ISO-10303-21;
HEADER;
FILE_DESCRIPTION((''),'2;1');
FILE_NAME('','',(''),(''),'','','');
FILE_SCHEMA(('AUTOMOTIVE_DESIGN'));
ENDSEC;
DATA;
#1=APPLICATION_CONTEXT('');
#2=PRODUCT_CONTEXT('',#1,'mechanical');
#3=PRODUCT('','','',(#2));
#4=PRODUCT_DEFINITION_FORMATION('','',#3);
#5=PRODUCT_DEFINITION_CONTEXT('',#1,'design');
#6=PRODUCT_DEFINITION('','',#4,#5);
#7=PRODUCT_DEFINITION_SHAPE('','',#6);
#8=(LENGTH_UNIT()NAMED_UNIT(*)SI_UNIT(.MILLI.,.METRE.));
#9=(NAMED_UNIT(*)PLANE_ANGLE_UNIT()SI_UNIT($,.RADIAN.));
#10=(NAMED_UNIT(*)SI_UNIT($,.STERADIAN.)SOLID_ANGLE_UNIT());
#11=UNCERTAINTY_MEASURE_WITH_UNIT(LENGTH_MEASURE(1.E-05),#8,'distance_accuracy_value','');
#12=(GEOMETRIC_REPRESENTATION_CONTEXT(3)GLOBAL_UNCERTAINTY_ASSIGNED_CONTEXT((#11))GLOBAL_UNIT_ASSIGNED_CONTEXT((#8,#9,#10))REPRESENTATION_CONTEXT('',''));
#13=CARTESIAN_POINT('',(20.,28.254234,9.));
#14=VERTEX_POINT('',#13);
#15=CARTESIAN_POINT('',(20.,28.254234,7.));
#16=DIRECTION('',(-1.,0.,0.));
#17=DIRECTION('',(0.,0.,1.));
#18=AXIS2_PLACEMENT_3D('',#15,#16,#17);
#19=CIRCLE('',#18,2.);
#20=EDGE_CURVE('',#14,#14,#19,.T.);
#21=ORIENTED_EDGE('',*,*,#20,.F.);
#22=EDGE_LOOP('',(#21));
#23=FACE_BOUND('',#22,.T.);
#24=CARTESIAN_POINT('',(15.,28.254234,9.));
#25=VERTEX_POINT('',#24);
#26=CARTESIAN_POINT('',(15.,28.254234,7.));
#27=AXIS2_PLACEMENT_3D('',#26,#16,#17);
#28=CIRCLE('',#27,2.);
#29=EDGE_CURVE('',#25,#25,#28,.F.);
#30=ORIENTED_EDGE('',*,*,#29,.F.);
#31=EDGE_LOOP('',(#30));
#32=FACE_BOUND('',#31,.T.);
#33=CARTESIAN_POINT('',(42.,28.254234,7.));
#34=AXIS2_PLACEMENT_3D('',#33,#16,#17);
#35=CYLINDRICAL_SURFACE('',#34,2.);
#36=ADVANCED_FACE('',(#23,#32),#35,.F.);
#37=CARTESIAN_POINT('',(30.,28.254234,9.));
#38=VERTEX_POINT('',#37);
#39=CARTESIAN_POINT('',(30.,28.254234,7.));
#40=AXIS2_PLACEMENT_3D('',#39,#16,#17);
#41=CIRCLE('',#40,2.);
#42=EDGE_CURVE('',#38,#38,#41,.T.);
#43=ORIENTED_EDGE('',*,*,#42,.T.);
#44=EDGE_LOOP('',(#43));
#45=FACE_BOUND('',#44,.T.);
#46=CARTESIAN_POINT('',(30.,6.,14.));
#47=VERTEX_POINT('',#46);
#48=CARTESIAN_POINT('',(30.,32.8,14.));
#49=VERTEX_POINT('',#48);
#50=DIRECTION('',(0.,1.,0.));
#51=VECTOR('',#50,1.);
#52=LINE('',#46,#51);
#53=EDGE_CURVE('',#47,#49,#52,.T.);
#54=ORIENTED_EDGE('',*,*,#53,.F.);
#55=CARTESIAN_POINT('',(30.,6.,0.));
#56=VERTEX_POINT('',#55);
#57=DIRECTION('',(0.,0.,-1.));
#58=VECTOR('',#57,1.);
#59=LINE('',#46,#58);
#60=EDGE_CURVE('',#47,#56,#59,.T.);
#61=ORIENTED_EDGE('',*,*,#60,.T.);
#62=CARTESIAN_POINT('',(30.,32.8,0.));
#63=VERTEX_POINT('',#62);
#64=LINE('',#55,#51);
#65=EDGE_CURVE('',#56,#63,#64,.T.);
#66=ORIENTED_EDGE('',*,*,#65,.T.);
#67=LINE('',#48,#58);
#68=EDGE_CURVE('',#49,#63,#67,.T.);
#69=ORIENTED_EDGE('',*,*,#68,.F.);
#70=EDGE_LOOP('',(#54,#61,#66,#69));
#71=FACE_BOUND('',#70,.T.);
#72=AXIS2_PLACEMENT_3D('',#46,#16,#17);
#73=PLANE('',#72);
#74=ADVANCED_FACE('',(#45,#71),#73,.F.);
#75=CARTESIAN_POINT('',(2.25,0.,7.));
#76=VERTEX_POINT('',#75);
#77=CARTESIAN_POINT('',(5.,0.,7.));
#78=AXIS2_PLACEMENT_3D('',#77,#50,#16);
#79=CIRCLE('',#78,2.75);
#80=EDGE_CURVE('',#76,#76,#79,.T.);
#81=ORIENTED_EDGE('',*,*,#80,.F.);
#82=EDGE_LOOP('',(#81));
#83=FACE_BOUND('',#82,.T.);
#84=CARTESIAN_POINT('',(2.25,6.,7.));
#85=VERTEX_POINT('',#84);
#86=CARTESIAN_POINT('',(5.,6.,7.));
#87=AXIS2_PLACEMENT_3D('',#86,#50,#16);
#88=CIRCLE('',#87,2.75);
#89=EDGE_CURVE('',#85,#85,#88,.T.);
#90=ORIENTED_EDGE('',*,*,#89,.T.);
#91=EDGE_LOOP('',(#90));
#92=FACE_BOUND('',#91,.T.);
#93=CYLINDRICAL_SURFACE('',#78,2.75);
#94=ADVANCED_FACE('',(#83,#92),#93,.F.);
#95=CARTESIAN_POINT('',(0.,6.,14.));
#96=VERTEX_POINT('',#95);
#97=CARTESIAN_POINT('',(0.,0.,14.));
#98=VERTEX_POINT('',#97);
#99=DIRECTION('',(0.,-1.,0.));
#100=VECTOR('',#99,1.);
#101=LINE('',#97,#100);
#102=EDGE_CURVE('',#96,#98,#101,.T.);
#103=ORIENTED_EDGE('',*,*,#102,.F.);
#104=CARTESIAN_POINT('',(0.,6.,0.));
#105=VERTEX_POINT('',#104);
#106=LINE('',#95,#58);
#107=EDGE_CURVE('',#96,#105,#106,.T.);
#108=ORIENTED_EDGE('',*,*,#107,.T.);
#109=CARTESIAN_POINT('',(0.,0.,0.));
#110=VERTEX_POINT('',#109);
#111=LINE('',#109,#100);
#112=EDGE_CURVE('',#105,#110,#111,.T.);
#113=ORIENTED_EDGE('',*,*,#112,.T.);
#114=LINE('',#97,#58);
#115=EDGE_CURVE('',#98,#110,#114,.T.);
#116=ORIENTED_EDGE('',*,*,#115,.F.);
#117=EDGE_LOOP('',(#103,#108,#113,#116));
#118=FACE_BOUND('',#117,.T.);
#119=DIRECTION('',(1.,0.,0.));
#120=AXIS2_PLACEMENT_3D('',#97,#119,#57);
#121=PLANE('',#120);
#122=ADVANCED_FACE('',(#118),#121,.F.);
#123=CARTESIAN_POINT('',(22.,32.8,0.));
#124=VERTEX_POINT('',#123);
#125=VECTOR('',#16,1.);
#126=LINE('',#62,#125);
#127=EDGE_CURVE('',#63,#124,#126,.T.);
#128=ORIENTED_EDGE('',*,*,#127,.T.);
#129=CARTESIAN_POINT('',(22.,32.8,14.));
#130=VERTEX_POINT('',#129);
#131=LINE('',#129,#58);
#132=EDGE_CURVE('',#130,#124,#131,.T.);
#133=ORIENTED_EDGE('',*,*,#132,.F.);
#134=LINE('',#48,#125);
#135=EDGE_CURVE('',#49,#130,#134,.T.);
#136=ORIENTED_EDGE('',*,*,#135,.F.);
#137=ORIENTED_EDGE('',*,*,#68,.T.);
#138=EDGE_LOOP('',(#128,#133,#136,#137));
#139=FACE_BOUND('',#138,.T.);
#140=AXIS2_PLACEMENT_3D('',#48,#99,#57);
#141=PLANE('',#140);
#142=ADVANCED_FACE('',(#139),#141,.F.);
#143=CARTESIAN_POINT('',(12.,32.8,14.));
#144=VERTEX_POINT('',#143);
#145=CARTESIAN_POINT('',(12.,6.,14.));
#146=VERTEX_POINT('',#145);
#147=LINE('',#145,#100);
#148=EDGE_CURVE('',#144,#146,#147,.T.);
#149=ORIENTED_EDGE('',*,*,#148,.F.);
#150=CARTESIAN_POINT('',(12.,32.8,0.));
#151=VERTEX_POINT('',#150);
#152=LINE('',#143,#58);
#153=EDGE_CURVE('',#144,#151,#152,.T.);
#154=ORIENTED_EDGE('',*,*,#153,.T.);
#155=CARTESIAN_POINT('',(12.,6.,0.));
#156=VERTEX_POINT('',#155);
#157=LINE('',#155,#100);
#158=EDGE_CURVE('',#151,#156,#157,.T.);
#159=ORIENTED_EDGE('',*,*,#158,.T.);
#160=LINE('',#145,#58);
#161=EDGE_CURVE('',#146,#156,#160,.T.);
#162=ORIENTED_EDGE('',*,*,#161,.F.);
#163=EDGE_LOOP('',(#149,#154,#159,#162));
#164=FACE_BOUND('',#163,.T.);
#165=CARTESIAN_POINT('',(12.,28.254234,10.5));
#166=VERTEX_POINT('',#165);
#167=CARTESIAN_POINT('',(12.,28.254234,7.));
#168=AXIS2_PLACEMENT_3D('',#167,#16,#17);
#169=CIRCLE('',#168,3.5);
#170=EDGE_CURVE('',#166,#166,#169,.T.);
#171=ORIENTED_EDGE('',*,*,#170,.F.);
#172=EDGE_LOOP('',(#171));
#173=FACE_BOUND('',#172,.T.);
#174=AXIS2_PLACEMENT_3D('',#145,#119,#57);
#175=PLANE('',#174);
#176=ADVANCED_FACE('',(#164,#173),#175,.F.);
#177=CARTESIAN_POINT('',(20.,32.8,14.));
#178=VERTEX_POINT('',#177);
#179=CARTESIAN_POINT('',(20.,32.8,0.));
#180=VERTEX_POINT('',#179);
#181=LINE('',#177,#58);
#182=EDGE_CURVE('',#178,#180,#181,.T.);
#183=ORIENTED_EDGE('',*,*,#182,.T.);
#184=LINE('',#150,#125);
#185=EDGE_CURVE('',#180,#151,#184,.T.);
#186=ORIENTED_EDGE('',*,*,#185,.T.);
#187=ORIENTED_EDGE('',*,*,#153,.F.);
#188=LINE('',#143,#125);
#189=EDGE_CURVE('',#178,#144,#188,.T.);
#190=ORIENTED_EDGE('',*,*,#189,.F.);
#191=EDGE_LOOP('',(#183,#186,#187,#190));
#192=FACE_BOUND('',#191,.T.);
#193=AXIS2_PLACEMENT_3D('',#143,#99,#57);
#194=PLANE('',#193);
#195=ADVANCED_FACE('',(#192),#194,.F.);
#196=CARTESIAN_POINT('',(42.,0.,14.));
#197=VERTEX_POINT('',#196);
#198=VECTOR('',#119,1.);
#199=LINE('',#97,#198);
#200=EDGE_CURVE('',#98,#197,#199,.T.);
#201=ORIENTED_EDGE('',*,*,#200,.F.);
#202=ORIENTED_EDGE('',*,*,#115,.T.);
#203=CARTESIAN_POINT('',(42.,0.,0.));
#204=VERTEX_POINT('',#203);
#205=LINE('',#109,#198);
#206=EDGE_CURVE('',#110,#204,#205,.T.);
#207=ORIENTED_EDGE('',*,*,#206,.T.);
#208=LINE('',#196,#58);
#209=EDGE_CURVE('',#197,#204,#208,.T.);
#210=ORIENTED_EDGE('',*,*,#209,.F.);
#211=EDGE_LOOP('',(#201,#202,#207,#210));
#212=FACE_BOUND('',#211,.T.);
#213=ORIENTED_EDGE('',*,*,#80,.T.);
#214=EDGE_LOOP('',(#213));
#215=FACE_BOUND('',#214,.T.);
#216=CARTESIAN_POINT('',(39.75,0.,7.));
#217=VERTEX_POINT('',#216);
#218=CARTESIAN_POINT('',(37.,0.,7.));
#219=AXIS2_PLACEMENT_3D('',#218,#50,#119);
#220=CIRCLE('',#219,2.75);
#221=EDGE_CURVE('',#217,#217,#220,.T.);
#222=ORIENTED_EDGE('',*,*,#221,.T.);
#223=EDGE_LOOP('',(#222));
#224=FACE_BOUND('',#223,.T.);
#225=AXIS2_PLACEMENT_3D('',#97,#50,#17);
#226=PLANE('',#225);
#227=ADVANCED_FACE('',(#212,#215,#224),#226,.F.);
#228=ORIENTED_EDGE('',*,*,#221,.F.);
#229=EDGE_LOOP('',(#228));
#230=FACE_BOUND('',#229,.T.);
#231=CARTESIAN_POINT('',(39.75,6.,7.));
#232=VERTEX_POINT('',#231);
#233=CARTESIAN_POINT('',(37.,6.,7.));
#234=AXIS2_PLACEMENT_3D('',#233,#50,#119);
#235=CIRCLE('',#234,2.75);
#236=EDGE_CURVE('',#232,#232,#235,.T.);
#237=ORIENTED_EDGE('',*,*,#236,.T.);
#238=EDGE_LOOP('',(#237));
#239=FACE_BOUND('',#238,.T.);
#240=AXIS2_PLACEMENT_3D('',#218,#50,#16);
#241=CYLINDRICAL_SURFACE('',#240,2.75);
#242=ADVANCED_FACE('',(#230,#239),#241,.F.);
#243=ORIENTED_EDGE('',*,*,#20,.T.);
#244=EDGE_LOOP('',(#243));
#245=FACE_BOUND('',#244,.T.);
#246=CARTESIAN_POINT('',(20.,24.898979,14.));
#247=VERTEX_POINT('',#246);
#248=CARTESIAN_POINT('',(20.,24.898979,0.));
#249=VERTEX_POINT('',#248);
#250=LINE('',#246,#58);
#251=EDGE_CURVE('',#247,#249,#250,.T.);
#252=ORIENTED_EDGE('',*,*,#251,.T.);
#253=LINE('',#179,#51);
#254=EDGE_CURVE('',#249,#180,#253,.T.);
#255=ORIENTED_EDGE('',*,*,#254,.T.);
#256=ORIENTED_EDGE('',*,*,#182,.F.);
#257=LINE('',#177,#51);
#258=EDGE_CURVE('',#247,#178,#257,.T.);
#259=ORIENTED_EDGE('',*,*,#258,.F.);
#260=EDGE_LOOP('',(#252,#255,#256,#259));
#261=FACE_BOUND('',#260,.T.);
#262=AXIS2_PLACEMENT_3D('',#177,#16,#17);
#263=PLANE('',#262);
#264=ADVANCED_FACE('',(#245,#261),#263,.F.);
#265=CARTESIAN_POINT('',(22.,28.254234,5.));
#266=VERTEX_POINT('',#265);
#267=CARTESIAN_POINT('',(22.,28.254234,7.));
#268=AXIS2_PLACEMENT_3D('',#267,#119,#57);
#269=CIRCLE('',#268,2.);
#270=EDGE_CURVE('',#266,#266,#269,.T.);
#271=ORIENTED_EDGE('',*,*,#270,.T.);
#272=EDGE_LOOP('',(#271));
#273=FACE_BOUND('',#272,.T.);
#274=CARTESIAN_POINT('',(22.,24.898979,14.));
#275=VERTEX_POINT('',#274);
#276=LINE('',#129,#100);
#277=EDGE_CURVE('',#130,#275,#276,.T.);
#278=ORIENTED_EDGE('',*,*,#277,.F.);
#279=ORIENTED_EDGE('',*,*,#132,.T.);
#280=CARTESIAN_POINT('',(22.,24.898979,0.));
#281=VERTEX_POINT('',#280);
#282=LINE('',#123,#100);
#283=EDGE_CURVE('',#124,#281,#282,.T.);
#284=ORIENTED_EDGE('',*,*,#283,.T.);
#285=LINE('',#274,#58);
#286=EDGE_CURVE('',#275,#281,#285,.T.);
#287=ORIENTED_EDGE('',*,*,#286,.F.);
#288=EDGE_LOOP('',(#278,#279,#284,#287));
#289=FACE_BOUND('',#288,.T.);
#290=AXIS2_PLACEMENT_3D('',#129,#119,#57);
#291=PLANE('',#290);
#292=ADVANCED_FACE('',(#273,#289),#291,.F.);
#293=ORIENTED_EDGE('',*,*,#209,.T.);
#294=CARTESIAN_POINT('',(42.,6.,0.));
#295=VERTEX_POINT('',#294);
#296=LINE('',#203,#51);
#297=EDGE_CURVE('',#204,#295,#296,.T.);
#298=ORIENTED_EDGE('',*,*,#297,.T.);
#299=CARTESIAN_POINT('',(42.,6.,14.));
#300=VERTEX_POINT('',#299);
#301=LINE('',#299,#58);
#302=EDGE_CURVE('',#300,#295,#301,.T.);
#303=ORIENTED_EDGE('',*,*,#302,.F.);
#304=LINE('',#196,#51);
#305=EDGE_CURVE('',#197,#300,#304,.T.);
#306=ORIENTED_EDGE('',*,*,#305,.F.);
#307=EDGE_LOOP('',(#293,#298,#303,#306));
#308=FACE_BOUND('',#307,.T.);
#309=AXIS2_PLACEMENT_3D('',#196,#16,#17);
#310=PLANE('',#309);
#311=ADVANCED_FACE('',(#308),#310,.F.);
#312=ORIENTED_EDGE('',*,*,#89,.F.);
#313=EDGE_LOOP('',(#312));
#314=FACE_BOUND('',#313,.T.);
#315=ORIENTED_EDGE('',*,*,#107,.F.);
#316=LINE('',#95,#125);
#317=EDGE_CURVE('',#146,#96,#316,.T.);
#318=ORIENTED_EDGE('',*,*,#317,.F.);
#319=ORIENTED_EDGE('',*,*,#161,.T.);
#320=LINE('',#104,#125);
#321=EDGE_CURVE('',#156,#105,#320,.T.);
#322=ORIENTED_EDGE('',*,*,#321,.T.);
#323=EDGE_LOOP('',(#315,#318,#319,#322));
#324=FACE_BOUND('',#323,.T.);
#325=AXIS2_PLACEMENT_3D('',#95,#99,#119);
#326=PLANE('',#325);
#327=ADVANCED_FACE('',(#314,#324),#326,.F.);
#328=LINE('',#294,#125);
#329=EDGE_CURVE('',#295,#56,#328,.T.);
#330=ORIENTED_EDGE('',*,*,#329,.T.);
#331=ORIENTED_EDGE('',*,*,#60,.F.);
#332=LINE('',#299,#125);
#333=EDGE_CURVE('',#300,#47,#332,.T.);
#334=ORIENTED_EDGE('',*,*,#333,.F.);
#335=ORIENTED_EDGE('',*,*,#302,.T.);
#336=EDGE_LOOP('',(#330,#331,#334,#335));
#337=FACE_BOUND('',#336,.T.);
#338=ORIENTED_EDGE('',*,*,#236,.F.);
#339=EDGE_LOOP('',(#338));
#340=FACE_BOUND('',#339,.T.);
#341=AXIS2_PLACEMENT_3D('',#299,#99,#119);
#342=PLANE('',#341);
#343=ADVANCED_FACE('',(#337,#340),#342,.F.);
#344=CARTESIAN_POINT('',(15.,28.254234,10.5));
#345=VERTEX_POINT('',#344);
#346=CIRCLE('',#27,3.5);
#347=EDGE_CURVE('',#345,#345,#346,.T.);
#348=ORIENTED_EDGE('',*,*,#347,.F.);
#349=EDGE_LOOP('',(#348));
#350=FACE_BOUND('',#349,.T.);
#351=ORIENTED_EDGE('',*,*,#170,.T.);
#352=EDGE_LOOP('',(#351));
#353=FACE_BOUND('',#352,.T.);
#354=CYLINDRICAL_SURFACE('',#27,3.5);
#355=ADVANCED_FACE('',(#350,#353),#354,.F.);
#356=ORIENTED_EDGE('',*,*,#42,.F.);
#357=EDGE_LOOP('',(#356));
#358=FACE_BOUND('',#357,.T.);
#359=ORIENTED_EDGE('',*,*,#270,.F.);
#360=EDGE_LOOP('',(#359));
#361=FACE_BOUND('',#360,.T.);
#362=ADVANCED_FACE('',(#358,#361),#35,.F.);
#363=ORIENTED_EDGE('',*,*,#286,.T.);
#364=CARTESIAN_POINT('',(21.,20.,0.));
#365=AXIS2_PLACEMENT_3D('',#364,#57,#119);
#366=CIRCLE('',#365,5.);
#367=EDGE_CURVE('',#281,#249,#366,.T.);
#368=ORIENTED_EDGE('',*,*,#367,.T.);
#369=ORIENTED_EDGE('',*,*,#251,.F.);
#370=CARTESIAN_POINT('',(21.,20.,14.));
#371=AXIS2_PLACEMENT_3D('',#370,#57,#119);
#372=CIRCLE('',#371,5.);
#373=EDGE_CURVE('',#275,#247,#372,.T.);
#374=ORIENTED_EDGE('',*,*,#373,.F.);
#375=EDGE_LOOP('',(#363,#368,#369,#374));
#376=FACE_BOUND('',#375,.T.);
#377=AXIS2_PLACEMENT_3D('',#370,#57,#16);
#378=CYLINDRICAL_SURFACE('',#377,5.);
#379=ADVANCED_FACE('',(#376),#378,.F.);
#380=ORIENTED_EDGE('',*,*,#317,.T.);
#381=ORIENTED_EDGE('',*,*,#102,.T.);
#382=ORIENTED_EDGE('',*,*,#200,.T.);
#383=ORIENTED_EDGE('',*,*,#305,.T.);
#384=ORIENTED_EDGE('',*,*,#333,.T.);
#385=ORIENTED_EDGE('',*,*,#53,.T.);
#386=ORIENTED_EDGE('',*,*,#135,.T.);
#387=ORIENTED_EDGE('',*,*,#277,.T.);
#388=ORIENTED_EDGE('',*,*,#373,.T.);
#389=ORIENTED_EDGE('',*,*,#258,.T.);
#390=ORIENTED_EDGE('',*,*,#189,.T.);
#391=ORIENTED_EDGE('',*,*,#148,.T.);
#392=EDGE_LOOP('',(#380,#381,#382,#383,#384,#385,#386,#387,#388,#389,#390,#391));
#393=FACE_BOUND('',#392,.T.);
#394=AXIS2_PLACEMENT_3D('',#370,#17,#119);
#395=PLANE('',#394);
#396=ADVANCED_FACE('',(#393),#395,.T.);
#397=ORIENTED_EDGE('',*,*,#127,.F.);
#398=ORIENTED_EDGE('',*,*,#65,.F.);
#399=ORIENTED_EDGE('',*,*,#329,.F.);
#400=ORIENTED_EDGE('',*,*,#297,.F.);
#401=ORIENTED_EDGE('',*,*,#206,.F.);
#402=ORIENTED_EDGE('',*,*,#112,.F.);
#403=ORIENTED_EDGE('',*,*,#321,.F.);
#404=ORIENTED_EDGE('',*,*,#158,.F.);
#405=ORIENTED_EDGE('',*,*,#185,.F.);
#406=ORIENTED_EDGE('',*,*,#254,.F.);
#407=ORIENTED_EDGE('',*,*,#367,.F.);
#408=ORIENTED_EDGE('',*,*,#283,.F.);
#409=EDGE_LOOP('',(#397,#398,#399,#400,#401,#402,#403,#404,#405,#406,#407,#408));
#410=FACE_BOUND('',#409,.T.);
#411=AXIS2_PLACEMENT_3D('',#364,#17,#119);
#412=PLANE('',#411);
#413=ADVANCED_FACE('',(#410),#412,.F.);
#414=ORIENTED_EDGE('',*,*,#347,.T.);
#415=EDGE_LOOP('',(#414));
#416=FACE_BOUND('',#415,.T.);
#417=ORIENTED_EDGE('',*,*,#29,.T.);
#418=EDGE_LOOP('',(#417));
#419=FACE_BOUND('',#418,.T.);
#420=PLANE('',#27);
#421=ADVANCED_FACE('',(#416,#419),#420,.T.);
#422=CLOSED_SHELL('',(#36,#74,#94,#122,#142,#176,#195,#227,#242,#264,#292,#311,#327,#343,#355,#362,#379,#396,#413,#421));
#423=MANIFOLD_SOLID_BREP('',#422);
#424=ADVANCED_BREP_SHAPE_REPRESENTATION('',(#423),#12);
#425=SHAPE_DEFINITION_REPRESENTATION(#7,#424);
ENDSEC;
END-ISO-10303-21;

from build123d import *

# Parameters (mm, degrees)
BOSS_EXTRUDE1_DEPTH = 14
SKETCH2_R           = 2.75
CUT_EXTRUDE1_DEPTH  = 7
SKETCH3_R           = 2
CUT_EXTRUDE2_DEPTH  = 31
SKETCH4_R           = 3.5
CUT_EXTRUDE3_DEPTH  = 3


with BuildPart() as part:
    # Sketch1 → Boss-Extrude1 (new body)
    with BuildSketch(Plane.XY):
        with BuildLine():
            Line((0, 0), (42, 0))
            Line((42, 0), (42, 6))
            Line((42, 6), (30, 6))
            Line((30, 6), (30, 32.8))
            Line((30, 32.8), (22, 32.8))
            Line((22, 32.8), (22, 24.898979486))
            ThreePointArc((22, 24.898979486), (21, 15), (20, 24.898979486))
            Line((20, 24.898979486), (20, 32.8))
            Line((20, 32.8), (12, 32.8))
            Line((12, 32.8), (12, 6))
            Line((12, 6), (0, 6))
            Line((0, 6), (0, 0))
        make_face()
    extrude(amount=BOSS_EXTRUDE1_DEPTH)

    # Sketch2 → Cut-Extrude1 (cut, through all)
    with BuildSketch(Plane(origin=(0, 6, 0), x_dir=(1, 0, 0), z_dir=(0, 1, 0))):
        with Locations((5, -7)):
            Circle(SKETCH2_R)
        with Locations((37, -7)):
            Circle(SKETCH2_R)
    extrude(amount=-CUT_EXTRUDE1_DEPTH, mode=Mode.SUBTRACT)

    # Sketch3 → Cut-Extrude2 (cut, through all)
    with BuildSketch(Plane.ZY.offset(-12)):
        with Locations((7, 28.254234055)):
            Circle(SKETCH3_R)
    extrude(amount=-CUT_EXTRUDE2_DEPTH, mode=Mode.SUBTRACT)

    # Sketch4 → Cut-Extrude3 (cut)
    with BuildSketch(Plane.ZY.offset(-12)):
        with Locations((7, 28.254234055)):
            Circle(SKETCH4_R)
    extrude(amount=-CUT_EXTRUDE3_DEPTH, mode=Mode.SUBTRACT)


solid = part.part
